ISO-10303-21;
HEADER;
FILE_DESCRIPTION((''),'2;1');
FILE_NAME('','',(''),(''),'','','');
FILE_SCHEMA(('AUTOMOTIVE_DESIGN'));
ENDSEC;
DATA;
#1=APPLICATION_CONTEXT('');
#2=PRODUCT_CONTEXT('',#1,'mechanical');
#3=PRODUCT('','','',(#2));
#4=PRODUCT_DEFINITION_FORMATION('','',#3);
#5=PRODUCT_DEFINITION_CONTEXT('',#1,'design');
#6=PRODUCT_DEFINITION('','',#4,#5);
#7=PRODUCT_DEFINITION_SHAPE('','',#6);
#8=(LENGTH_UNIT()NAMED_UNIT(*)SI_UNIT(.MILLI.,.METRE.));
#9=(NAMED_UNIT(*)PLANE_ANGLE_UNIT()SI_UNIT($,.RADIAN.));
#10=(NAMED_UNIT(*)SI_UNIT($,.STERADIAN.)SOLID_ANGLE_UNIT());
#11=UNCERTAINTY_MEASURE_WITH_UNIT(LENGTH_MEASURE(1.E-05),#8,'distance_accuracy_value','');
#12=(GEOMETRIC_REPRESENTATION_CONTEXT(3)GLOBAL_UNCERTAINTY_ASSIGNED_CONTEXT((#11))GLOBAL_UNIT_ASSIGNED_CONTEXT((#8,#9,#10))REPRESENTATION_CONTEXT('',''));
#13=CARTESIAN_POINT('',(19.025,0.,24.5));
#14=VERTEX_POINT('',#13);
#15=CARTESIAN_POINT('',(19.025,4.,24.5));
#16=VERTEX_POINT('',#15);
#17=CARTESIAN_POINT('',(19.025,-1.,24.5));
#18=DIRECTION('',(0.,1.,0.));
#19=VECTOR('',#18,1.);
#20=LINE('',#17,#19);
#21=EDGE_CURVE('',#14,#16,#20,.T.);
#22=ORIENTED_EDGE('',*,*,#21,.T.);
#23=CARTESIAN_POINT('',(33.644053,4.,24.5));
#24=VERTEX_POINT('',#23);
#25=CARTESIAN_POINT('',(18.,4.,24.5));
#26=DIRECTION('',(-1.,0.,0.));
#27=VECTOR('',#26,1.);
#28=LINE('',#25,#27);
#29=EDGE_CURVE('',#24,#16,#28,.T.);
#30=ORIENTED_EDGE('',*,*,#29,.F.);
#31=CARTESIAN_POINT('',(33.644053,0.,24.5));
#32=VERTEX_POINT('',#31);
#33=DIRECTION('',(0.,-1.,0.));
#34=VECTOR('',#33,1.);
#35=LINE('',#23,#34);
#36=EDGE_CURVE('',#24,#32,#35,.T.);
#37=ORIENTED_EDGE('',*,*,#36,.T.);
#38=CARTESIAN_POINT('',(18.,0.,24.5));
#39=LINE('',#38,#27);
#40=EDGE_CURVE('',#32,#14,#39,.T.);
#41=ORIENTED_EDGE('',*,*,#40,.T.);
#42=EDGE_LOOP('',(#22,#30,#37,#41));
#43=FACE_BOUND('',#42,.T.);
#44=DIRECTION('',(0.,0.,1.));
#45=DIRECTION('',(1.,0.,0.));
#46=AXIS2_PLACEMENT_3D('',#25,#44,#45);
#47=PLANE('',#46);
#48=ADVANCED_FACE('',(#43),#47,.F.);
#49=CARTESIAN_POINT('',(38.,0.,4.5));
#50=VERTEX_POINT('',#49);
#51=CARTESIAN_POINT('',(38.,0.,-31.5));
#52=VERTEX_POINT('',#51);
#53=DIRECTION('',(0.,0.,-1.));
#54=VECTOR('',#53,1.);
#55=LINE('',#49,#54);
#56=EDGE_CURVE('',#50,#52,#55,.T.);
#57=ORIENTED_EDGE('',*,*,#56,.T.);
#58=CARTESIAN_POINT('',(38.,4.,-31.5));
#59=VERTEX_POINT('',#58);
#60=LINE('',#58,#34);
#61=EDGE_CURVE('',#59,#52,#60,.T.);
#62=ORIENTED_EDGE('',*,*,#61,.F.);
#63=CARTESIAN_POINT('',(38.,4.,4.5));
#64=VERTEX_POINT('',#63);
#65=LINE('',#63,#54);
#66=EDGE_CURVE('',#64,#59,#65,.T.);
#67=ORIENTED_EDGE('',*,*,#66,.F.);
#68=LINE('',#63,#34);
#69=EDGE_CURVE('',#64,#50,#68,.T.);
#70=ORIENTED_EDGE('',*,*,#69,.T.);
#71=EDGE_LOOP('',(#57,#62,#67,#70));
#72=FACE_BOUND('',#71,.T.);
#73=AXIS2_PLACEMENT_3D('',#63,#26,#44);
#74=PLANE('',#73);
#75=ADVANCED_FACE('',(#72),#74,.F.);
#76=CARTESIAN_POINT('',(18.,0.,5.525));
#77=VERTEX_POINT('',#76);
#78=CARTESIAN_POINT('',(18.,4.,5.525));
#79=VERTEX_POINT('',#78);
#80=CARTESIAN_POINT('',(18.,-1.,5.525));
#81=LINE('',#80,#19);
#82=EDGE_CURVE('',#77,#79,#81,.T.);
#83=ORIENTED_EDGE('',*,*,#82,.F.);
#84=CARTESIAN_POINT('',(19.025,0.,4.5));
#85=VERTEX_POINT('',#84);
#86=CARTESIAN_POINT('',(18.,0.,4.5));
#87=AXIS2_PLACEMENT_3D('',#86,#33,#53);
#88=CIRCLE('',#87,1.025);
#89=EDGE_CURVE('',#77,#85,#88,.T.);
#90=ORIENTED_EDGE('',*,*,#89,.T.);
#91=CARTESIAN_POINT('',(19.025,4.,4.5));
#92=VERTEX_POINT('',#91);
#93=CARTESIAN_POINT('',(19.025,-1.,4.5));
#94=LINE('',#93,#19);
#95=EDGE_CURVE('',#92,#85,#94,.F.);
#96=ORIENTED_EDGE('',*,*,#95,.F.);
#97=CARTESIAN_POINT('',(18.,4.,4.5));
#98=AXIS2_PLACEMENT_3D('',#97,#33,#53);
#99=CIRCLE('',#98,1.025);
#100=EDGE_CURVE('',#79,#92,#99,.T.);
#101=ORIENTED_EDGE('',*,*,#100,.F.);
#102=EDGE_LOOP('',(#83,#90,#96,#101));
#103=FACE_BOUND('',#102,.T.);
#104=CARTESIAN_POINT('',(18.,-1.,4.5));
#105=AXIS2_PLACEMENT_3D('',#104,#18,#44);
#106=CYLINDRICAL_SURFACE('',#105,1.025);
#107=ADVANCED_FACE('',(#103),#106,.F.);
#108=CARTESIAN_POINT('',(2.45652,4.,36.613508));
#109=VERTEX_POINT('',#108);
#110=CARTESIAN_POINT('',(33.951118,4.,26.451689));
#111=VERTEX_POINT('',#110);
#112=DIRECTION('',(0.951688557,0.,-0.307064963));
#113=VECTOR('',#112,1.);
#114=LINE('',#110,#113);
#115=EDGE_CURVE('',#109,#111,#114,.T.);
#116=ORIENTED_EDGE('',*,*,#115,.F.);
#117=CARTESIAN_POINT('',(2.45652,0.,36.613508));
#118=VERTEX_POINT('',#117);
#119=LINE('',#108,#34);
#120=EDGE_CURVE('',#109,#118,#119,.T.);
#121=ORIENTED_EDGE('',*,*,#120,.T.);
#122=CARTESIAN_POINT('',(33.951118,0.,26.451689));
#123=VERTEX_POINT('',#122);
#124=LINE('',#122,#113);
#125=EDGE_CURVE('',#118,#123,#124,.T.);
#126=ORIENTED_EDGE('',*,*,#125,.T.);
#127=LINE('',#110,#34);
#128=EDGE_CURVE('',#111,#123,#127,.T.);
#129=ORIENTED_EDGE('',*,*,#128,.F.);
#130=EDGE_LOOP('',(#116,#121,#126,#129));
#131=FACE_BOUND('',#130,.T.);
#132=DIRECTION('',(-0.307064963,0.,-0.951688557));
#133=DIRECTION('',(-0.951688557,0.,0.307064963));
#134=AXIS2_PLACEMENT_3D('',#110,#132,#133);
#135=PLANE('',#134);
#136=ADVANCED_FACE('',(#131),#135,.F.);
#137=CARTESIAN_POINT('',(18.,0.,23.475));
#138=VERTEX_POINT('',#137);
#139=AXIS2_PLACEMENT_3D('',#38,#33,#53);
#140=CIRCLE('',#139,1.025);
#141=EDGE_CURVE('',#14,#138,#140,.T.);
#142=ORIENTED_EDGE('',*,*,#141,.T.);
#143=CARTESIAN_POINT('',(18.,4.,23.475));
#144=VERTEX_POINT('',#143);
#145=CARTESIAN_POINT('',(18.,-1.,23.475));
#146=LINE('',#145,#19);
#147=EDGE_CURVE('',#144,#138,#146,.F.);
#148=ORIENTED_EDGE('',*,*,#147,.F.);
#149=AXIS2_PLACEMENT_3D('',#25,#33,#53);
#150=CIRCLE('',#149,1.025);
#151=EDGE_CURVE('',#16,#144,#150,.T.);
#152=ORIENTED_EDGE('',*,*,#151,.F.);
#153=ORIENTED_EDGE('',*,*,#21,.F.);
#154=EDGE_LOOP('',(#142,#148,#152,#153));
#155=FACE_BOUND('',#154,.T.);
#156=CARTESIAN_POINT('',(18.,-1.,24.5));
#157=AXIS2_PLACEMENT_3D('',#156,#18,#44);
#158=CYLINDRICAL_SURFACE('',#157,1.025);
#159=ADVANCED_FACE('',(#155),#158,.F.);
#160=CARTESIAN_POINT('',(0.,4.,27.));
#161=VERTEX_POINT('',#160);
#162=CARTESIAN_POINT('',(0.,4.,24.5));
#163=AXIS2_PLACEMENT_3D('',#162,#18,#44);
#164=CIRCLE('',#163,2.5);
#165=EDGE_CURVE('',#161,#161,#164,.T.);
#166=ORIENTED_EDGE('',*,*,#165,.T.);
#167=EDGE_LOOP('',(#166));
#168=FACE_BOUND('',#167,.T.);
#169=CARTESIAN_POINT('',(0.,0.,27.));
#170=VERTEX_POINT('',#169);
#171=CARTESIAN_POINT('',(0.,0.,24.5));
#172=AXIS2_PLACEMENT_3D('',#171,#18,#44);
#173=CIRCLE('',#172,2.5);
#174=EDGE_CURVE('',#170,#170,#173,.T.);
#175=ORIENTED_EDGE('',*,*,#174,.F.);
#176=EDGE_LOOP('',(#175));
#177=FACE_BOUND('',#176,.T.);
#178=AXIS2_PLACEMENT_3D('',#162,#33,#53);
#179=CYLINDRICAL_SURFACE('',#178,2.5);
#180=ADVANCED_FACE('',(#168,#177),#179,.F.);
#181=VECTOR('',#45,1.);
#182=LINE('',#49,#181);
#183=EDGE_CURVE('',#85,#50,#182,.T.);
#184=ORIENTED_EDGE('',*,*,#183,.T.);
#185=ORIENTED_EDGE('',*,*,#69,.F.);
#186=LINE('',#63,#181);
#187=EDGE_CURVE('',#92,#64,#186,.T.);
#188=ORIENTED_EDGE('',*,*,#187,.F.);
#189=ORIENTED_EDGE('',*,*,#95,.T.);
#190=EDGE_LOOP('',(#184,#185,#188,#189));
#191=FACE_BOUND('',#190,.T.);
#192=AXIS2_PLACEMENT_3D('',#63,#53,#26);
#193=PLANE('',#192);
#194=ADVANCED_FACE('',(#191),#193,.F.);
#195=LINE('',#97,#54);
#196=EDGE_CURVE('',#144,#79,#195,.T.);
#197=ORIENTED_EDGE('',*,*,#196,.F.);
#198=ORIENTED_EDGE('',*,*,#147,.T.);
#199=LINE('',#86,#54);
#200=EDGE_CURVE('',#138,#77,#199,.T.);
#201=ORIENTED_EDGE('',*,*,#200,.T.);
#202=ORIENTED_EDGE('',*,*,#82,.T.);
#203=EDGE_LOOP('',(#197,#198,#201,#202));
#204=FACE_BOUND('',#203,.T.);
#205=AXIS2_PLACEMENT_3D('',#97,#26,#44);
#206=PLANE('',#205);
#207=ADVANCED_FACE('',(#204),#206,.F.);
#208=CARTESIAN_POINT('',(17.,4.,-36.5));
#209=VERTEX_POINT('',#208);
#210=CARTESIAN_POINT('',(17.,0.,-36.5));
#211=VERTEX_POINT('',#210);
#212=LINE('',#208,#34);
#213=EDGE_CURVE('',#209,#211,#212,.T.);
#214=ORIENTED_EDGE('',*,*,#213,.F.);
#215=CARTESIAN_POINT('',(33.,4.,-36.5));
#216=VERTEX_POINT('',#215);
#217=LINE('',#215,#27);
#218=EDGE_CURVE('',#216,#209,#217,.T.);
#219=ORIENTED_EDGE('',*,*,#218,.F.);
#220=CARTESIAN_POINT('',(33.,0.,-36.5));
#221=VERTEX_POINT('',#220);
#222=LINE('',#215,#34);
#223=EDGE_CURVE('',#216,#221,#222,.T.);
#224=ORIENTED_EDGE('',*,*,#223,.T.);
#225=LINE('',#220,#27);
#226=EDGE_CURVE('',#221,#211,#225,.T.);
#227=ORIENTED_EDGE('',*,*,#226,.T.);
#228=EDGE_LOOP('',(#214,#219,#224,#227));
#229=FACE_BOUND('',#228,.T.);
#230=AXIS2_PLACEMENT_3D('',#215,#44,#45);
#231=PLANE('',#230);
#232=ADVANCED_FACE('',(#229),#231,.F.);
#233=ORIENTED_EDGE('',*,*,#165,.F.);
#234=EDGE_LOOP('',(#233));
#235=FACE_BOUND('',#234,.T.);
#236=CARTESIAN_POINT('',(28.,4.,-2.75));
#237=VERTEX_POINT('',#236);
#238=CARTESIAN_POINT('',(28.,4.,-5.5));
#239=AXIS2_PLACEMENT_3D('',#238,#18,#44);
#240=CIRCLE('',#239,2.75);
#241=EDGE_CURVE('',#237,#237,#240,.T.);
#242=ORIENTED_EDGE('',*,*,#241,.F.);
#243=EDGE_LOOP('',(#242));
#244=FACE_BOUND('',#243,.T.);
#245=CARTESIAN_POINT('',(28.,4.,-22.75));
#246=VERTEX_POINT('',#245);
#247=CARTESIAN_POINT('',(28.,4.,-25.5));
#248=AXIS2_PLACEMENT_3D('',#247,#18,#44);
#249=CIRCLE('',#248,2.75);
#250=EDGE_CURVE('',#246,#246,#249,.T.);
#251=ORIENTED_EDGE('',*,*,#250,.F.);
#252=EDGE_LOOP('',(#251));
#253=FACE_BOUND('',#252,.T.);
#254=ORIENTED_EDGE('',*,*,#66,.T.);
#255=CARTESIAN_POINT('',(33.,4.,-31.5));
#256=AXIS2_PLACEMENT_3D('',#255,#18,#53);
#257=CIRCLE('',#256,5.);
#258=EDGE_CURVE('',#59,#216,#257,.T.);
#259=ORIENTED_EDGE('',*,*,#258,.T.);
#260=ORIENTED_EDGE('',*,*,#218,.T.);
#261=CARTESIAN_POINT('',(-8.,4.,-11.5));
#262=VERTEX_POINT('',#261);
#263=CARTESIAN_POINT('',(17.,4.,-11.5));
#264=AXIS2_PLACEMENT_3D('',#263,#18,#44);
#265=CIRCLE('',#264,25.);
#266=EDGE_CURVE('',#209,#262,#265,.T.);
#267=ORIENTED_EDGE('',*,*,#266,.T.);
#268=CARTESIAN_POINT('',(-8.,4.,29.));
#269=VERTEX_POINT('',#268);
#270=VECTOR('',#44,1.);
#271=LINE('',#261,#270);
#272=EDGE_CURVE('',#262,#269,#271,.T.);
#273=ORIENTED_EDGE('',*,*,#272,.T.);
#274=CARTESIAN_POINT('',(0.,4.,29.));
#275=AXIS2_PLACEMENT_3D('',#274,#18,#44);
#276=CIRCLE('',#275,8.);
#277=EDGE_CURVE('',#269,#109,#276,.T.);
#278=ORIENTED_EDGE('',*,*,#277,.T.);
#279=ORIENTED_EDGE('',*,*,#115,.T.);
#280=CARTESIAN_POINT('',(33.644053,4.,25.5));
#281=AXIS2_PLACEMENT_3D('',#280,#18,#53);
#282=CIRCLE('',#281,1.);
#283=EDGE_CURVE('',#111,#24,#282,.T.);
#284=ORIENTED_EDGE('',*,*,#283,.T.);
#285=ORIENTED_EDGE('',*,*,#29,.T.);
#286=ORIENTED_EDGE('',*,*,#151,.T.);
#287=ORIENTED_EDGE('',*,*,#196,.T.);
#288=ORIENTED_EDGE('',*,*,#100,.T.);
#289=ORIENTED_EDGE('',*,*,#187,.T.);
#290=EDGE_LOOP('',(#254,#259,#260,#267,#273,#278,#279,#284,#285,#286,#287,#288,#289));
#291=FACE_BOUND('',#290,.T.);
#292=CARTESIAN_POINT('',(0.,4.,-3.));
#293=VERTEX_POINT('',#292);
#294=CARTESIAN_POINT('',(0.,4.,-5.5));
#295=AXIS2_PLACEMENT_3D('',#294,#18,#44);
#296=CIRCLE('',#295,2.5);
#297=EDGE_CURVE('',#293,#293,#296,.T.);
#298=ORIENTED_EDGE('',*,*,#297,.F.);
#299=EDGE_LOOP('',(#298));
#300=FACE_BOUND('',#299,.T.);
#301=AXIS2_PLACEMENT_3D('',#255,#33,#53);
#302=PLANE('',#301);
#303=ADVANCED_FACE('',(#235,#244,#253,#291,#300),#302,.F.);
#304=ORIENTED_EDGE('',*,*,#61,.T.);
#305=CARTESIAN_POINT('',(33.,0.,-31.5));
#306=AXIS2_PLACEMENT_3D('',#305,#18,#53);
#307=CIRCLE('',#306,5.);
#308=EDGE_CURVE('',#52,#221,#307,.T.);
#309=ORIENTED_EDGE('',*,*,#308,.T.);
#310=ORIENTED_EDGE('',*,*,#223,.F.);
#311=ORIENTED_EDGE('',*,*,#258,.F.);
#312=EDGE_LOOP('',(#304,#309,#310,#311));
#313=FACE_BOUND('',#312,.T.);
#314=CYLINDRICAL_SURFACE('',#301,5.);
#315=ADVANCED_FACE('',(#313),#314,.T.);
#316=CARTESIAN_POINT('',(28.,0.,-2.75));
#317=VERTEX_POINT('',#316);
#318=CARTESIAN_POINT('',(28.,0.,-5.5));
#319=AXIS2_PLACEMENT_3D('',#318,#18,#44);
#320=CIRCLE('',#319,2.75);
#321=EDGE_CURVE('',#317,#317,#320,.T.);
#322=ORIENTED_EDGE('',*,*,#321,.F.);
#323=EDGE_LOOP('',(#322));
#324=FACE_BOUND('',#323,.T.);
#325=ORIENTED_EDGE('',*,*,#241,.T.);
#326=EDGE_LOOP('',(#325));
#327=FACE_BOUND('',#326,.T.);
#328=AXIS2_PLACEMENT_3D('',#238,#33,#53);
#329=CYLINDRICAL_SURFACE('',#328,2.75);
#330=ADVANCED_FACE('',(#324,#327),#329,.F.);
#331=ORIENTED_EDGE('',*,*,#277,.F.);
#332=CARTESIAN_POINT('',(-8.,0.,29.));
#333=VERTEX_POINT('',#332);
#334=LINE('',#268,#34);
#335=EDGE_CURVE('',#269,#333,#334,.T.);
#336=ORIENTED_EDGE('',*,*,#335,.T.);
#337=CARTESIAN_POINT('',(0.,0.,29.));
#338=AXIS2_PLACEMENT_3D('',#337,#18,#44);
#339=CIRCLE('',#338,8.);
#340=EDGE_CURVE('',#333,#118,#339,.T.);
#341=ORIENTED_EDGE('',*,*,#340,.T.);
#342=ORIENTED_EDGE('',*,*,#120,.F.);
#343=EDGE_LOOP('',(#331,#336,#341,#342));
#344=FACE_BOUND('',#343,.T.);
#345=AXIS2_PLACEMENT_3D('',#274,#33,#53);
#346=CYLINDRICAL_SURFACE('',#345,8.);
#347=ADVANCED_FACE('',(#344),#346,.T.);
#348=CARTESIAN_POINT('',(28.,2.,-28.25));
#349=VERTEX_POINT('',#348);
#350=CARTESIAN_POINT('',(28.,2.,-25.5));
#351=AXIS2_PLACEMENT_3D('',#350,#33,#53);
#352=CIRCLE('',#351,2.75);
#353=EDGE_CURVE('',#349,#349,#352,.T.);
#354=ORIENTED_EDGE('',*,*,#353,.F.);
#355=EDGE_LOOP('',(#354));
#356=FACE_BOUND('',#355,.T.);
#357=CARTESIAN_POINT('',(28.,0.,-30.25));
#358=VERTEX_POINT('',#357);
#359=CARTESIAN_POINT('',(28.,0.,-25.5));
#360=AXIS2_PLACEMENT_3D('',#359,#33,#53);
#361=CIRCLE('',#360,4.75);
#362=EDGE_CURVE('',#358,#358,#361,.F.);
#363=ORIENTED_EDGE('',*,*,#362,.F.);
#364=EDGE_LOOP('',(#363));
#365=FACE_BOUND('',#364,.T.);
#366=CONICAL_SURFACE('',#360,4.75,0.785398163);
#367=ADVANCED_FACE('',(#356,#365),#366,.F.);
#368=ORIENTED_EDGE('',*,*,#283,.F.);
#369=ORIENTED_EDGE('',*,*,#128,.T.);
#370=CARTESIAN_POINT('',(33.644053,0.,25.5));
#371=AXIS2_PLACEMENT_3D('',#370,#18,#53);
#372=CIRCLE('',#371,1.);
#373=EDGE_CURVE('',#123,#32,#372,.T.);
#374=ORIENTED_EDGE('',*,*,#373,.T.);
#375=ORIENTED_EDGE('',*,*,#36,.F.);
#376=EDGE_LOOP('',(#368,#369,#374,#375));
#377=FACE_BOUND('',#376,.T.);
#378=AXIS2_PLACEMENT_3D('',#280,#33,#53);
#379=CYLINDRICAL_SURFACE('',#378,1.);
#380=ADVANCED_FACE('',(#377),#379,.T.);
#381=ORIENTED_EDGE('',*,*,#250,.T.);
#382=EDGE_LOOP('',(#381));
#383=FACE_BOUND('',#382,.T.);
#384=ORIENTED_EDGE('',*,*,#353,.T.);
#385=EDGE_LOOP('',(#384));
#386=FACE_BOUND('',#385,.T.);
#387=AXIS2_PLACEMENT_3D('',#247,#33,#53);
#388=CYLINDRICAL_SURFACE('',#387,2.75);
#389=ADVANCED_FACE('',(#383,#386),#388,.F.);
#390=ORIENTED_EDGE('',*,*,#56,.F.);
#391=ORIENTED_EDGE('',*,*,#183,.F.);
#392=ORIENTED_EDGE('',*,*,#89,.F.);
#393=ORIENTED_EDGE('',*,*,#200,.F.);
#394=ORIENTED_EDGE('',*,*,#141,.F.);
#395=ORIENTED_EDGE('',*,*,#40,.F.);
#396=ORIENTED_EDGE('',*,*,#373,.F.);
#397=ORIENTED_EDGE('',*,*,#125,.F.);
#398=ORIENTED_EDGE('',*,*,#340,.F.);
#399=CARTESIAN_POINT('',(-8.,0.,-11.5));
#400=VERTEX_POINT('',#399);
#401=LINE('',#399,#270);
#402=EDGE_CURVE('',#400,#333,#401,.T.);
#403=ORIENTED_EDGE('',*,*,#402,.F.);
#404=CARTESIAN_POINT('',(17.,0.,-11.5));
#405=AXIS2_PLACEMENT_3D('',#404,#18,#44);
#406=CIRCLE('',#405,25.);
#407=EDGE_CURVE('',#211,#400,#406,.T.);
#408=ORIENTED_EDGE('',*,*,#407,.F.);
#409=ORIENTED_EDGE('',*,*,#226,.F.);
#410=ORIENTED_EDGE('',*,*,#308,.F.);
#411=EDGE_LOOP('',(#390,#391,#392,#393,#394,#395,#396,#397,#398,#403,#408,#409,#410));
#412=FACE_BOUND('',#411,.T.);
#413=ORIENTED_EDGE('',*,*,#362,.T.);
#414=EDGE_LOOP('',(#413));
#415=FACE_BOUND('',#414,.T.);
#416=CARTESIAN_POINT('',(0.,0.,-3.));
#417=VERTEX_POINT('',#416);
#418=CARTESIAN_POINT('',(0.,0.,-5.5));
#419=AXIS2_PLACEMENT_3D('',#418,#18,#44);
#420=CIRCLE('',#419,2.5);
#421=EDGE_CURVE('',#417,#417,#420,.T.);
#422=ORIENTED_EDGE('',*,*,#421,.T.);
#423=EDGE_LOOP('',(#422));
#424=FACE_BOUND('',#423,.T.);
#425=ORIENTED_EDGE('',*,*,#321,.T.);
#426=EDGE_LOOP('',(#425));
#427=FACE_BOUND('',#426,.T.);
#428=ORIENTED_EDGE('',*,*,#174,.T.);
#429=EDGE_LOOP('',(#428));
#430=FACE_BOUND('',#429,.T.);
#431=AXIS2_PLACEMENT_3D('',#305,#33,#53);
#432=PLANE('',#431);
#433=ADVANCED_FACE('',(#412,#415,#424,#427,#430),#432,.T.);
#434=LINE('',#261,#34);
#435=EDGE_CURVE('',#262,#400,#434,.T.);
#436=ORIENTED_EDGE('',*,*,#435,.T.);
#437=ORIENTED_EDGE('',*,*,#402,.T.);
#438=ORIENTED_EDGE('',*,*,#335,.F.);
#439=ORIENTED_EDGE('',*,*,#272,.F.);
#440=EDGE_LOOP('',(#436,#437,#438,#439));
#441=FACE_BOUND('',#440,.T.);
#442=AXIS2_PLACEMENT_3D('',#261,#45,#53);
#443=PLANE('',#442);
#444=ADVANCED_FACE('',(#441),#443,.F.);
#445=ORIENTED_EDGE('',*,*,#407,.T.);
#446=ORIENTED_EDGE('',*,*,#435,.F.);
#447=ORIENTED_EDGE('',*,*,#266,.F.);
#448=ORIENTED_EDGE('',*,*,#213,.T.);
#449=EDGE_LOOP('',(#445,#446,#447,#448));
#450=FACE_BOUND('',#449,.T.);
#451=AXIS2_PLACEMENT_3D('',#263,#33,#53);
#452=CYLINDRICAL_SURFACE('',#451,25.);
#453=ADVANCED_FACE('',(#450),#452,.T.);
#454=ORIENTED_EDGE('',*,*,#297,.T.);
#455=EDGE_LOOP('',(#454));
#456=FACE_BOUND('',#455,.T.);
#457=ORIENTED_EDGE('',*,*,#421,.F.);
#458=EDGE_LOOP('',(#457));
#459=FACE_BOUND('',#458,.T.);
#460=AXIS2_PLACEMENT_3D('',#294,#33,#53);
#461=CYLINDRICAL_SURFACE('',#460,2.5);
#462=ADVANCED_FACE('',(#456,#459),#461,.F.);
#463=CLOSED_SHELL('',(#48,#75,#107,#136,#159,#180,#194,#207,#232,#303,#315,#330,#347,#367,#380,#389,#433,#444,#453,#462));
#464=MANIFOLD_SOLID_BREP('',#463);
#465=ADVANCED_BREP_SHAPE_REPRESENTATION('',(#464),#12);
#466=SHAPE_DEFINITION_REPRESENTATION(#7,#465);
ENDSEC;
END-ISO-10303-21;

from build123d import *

# Parameters (mm, degrees)
SKETCH_1_R          = 2.75
SKETCH_1_R_2        = 2.5
EXTRUDE_1_DEPTH     = 4
CHAMFER_2_SIZE      = 2
SKETCH_2_R          = 1.025
CUT_EXTRUDE_1_DEPTH = 5


with BuildPart() as part:
    # 草图1 → 凸台-拉伸1 (new body)
    with BuildSketch(Plane(origin=(0, 0, 0), x_dir=(1, 0, 0), z_dir=(0, 1, 0))):
        with BuildLine():
            Line((38, -4.5), (18, -4.5))
            Line((18, -4.5), (18, -24.5))
            Line((18, -24.5), (33.644053232, -24.5))
            ThreePointArc((33.644053232, -24.5), (34.63190154, -25.344578889), (33.951118195, -26.451688557))
            Line((33.951118195, -26.451688557), (2.456519701, -36.613508453))
            ThreePointArc((2.456519701, -36.613508453), (-4.708919324, -35.467308467), (-8, -29))
            Line((-8, -29), (-8, 11.5))
            ThreePointArc((-8, 11.5), (-0.67766953, 29.17766953), (17, 36.5))
            Line((17, 36.5), (33, 36.5))
            ThreePointArc((33, 36.5), (36.535533906, 35.035533906), (38, 31.5))
            Line((38, 31.5), (38, -4.5))
        make_face()
        with Locations((28, 5.5)):
            Circle(SKETCH_1_R, mode=Mode.SUBTRACT)
        with Locations((28, 25.5)):
            Circle(SKETCH_1_R, mode=Mode.SUBTRACT)
        with Locations((0, 5.5)):
            Circle(SKETCH_1_R_2, mode=Mode.SUBTRACT)
        with Locations((0, -24.5)):
            Circle(SKETCH_1_R_2, mode=Mode.SUBTRACT)
    extrude(amount=EXTRUDE_1_DEPTH)

    # 倒角2
    chamfer_2_edges = [part.edges().sort_by_distance(p)[0] for p in [
        (25.25, 0, -25.5),
    ]]
    chamfer(chamfer_2_edges, length=CHAMFER_2_SIZE)

    # 草图2 → 切除-拉伸1 (cut, symmetric)
    with BuildSketch(Plane(origin=(0, 4, 0), x_dir=(1, 0, 0), z_dir=(0, 1, 0))):
        with Locations((18, -4.5)):
            Circle(SKETCH_2_R)
        with Locations((18, -24.5)):
            Circle(SKETCH_2_R)
    extrude(amount=CUT_EXTRUDE_1_DEPTH, both=True, mode=Mode.SUBTRACT)


solid = part.part
